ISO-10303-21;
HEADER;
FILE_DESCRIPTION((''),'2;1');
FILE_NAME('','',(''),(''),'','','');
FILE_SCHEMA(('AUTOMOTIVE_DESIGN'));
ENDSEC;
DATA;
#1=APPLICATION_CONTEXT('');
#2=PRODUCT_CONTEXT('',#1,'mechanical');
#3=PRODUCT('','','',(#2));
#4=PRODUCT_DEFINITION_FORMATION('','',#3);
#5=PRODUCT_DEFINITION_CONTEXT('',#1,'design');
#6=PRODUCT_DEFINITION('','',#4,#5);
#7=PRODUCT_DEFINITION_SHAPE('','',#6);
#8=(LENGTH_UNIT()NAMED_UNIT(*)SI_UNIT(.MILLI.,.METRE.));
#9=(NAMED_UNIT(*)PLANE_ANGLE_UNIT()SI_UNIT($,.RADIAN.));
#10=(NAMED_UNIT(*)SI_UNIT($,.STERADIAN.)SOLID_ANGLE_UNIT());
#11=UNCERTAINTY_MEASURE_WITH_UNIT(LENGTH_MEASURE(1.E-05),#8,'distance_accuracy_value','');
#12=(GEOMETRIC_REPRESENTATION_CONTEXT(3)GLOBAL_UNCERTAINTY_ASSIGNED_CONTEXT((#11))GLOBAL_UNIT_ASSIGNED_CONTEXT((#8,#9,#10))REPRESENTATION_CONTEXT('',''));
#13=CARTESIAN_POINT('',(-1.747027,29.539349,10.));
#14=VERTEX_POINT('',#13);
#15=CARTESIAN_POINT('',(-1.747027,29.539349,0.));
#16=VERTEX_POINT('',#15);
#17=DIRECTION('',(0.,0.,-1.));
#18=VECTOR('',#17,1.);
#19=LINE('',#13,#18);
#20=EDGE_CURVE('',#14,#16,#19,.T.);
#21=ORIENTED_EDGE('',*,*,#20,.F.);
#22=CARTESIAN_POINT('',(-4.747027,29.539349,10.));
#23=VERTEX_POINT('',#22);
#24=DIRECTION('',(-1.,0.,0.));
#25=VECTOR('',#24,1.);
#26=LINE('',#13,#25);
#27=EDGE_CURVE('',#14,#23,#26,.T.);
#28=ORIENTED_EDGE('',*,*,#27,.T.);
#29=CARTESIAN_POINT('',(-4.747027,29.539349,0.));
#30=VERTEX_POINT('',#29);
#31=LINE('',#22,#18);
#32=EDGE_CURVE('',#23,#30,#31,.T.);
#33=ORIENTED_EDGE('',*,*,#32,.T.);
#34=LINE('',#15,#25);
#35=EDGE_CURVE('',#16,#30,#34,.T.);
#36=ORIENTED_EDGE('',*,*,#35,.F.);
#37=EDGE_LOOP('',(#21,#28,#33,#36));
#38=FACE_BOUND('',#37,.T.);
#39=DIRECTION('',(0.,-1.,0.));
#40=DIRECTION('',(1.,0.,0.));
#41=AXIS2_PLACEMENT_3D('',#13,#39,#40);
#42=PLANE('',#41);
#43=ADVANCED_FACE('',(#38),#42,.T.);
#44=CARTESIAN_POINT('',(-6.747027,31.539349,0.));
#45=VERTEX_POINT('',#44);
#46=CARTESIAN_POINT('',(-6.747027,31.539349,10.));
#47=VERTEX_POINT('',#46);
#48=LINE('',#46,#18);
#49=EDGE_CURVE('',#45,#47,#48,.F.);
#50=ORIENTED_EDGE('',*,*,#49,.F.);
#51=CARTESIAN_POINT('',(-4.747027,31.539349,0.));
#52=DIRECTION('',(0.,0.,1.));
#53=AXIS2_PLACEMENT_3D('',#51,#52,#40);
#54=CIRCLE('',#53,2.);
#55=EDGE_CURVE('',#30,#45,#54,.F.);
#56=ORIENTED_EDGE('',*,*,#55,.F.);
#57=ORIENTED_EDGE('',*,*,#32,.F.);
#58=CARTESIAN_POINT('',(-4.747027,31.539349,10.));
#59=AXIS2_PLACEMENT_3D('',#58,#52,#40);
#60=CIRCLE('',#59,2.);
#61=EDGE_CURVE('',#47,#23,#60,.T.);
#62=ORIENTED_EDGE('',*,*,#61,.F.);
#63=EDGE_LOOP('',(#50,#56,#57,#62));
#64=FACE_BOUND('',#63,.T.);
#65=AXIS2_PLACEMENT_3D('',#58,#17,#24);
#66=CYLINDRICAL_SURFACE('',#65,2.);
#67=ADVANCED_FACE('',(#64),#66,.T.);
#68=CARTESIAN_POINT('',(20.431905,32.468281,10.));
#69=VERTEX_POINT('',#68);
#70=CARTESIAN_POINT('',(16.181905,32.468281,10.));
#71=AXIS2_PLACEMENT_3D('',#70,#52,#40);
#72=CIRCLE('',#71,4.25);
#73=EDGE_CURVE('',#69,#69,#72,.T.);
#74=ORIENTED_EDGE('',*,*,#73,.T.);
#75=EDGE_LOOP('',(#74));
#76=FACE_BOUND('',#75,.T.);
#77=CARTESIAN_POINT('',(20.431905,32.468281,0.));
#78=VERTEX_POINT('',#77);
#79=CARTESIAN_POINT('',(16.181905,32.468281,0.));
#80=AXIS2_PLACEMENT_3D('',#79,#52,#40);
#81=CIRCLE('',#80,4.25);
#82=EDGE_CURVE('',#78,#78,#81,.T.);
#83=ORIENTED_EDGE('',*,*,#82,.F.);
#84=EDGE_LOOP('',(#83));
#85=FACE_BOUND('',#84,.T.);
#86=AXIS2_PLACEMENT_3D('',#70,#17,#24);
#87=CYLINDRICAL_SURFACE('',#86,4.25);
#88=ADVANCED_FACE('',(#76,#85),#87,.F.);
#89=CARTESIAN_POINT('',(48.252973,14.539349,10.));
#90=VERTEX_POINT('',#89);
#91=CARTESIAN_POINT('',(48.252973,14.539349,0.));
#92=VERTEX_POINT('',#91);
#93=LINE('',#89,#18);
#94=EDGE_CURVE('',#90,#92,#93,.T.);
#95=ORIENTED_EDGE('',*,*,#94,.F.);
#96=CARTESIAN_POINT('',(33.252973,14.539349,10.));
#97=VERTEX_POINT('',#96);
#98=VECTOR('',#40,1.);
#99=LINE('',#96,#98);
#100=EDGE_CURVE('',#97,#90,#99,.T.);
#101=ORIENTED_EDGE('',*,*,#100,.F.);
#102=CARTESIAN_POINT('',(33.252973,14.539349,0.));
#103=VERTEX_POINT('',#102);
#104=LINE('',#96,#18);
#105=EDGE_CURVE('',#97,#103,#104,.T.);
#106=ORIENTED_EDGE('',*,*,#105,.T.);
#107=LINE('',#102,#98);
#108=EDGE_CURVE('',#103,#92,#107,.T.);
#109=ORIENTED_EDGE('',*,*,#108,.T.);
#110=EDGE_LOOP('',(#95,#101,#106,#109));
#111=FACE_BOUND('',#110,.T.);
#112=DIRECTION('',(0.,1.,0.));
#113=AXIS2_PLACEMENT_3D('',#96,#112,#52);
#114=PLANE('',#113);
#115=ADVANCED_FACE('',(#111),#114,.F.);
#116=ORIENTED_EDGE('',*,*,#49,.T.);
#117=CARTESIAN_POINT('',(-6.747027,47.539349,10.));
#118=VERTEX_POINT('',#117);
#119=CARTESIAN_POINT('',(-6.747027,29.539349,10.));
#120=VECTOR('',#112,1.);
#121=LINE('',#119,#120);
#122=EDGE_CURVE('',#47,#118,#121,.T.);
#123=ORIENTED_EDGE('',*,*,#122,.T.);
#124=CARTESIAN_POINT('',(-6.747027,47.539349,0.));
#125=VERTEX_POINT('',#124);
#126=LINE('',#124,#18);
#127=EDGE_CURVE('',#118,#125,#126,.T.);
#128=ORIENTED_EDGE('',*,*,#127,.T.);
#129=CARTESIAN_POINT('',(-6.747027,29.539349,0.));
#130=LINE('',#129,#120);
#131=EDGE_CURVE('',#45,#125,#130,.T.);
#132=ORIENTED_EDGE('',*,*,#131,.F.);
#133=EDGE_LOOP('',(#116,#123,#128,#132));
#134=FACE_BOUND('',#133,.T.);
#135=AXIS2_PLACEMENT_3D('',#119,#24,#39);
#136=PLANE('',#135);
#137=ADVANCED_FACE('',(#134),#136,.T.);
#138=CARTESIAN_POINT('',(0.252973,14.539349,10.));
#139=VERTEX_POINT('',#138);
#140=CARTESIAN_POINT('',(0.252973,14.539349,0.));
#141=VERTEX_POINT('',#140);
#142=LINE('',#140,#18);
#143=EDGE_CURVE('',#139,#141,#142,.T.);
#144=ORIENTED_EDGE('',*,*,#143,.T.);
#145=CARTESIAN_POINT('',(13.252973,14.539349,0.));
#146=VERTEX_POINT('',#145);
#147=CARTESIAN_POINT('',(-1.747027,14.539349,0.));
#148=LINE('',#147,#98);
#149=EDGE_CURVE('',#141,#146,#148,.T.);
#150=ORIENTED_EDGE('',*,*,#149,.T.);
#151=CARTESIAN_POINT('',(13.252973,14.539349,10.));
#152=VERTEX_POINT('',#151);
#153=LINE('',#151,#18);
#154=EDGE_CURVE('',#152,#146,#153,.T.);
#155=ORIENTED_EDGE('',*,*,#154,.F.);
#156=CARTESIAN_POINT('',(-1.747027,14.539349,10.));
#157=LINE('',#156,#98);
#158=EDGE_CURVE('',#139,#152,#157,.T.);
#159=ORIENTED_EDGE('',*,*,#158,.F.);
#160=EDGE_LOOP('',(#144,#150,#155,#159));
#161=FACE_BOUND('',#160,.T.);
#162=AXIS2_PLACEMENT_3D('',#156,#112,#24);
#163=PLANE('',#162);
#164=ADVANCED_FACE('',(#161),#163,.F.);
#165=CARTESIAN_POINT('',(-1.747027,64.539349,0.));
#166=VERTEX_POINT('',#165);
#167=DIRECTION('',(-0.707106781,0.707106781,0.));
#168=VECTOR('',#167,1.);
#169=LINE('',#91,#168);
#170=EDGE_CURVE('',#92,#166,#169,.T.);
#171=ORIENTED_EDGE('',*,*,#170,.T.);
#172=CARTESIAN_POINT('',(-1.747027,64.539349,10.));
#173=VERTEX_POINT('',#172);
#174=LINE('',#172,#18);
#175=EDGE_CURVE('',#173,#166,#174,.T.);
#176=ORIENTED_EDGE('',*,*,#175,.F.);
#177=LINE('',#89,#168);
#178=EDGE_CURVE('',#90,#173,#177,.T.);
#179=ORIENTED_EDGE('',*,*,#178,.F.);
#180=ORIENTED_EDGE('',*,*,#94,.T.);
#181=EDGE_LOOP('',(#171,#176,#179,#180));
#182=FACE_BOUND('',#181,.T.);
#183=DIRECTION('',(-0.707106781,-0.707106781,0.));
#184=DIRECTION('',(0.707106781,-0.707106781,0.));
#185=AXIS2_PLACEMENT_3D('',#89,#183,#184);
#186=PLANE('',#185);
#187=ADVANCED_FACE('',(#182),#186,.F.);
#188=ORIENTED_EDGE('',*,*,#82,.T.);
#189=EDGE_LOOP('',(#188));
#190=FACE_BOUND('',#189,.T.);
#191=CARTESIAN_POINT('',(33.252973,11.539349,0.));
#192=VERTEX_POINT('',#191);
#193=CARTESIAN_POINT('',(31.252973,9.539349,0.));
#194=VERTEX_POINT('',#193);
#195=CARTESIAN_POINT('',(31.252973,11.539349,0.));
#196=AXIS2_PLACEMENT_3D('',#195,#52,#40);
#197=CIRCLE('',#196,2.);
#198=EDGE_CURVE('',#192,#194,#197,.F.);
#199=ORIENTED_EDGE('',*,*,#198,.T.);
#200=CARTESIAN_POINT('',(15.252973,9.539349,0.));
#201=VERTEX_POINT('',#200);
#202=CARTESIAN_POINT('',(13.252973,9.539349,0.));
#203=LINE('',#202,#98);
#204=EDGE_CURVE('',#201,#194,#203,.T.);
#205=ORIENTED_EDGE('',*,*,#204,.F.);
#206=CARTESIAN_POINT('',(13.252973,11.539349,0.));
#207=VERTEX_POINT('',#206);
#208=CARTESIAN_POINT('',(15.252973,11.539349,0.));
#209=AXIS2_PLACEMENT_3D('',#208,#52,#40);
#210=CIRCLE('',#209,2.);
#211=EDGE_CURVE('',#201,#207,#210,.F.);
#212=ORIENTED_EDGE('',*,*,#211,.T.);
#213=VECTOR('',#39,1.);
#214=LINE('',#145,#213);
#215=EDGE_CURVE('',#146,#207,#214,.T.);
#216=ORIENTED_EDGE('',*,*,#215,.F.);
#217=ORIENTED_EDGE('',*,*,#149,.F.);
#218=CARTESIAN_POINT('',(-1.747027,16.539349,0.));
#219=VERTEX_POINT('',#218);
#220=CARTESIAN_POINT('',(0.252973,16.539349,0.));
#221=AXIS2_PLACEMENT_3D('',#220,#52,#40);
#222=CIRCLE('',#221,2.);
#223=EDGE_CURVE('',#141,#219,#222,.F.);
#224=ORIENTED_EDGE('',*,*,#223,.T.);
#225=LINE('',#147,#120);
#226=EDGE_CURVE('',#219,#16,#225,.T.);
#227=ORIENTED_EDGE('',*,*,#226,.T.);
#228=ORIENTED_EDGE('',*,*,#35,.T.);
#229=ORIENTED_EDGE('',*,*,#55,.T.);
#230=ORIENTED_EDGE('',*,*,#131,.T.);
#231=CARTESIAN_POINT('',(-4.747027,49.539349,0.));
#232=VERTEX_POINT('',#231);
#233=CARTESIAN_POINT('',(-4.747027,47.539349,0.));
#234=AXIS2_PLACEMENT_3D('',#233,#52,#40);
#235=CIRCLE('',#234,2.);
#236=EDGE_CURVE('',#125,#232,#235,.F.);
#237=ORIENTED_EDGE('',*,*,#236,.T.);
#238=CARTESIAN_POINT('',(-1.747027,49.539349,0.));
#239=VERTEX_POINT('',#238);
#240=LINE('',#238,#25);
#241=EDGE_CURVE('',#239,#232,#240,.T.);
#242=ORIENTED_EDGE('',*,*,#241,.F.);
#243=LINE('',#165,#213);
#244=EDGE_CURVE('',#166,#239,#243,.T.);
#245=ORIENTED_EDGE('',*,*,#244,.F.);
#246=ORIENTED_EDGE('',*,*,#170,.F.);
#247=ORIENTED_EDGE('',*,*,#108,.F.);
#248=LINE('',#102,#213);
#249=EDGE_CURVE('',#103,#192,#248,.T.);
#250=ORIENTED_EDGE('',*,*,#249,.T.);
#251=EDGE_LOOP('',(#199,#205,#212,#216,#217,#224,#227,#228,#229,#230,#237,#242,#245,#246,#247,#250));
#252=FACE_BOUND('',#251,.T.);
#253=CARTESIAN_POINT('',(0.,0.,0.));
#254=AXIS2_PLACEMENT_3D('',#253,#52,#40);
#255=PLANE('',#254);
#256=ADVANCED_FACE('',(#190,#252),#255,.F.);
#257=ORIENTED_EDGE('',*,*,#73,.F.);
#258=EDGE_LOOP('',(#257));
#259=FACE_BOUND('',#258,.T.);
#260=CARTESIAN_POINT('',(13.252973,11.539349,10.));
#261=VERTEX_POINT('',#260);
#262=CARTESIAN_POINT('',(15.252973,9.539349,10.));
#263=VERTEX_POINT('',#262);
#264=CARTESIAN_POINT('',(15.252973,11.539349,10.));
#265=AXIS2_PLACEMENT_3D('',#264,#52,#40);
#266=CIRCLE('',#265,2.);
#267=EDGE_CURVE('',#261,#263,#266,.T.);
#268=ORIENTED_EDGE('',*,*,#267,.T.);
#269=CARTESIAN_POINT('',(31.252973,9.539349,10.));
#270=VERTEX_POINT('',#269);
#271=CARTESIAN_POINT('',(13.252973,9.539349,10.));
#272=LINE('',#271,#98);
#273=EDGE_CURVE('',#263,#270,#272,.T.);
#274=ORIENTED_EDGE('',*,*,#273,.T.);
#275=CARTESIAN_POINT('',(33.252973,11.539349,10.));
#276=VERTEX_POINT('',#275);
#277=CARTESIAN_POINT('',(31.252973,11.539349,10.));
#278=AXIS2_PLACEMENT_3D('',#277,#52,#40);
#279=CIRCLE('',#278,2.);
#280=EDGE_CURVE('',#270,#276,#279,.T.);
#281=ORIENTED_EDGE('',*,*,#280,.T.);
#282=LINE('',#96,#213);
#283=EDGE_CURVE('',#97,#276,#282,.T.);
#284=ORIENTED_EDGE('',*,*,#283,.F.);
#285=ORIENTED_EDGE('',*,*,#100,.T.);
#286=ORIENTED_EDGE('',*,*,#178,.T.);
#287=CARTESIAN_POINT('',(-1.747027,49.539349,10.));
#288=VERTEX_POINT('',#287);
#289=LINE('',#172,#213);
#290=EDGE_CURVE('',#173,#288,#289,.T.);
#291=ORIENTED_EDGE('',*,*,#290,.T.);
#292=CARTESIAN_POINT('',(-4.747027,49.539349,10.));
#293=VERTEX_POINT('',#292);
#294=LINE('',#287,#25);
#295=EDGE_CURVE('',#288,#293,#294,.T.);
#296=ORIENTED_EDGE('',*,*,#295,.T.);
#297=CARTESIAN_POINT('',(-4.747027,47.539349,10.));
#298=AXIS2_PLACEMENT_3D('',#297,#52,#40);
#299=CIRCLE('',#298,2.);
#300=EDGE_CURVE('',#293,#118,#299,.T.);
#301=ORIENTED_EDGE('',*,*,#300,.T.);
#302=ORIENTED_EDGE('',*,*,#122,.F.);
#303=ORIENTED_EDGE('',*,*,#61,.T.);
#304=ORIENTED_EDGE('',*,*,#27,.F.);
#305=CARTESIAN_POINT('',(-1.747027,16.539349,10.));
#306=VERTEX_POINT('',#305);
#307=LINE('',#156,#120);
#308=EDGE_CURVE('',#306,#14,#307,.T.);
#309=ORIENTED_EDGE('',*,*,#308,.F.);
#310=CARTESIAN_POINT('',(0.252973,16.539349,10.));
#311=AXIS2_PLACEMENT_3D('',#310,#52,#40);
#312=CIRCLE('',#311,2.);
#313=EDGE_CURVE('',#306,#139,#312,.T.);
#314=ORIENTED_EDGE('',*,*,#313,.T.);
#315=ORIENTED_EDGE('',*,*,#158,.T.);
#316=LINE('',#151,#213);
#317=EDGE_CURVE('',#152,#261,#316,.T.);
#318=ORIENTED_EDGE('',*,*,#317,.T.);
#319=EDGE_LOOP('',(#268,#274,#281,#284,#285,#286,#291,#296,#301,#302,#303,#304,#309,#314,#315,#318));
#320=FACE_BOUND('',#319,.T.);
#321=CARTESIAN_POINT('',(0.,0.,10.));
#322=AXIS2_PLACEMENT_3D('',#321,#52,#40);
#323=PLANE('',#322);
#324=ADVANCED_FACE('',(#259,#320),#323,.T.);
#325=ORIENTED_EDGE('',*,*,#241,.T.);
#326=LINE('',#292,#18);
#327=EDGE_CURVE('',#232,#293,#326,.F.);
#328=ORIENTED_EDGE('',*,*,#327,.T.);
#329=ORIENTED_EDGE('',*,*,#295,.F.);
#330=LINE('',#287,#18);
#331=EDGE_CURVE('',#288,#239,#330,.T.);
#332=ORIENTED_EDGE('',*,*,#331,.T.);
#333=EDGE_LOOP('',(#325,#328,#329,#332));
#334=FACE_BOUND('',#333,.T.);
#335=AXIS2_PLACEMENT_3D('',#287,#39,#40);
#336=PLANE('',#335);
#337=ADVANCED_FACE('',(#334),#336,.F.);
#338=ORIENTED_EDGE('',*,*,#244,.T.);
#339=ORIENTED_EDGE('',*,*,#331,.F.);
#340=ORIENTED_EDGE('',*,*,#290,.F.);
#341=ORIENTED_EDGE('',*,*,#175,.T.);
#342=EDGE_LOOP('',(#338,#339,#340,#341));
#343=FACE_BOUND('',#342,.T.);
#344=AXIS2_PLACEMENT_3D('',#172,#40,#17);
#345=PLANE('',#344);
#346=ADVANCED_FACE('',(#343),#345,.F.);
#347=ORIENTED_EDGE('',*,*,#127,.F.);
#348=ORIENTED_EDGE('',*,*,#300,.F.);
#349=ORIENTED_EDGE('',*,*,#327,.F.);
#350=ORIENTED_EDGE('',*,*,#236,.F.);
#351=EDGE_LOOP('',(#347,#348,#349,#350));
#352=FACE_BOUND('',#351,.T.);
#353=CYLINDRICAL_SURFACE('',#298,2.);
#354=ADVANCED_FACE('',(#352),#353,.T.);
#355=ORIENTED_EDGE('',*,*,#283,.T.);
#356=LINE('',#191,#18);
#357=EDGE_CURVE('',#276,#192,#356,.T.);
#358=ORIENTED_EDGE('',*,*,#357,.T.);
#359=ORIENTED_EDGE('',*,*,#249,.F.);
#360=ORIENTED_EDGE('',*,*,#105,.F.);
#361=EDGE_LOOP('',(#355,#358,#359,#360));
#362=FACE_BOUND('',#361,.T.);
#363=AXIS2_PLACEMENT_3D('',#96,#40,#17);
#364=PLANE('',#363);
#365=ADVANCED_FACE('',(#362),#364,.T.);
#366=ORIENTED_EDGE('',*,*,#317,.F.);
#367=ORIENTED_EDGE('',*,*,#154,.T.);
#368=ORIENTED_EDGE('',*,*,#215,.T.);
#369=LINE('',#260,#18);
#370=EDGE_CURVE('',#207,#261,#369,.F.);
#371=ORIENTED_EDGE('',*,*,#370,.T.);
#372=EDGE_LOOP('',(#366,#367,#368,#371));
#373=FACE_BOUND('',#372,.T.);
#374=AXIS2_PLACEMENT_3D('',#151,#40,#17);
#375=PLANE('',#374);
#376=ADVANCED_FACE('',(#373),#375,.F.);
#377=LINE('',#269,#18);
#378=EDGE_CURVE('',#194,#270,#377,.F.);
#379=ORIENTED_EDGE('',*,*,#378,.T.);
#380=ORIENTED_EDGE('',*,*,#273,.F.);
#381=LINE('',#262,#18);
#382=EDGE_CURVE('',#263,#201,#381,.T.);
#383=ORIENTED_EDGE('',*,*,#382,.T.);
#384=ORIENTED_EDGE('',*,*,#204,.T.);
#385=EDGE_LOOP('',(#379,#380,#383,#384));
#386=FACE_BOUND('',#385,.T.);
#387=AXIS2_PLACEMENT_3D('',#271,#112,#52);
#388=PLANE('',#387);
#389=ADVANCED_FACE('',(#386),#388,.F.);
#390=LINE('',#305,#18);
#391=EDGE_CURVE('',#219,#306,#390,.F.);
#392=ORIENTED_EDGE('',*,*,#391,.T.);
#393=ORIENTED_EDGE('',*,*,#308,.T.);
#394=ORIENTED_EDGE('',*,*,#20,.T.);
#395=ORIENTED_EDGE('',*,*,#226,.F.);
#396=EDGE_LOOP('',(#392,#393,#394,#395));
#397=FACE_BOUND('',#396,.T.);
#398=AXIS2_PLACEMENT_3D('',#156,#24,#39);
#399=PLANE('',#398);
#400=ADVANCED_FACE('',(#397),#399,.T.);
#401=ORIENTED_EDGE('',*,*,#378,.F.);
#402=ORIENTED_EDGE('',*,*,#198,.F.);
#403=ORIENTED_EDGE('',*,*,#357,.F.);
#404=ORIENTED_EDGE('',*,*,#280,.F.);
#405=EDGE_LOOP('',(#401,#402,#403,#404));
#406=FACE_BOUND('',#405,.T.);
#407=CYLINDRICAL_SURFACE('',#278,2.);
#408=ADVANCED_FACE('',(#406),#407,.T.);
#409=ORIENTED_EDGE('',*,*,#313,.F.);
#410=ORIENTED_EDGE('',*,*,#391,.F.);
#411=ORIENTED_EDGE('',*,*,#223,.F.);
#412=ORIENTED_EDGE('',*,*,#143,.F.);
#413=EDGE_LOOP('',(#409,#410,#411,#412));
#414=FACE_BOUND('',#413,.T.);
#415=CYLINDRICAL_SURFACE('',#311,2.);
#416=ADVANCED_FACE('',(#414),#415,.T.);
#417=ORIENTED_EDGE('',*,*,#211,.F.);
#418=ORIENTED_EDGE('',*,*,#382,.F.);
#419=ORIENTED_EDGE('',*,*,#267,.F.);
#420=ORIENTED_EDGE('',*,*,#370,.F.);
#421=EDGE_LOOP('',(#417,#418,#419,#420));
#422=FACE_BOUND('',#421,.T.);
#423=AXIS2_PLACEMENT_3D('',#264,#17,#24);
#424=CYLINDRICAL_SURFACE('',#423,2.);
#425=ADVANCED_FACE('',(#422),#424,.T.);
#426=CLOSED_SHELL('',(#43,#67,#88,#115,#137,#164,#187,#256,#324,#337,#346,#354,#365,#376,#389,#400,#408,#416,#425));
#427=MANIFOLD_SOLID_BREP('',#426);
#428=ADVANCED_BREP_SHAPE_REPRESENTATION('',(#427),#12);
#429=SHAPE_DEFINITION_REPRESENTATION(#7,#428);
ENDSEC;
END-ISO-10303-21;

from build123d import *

# Parameters (mm, degrees)
SKETCH1_R           = 4.25
BOSS_EXTRUDE1_DEPTH = 10
FILLET1_R           = 2


with BuildPart() as part:
    # Sketch1 → Boss-Extrude1 (new body)
    with BuildSketch(Plane.XY):
        Polygon((48.252973088, 14.539348583), (-1.747026912, 64.539348583), (-1.747026912, 49.539348583), (-6.747026912, 49.539348583), (-6.747026912, 29.539348583), (-1.747026912, 29.539348583), (-1.747026912, 14.539348583), (13.252973088, 14.539348583), (13.252973088, 9.539348583), (33.252973088, 9.539348583), (33.252973088, 14.539348583), align=None)
        with Locations((16.181905276, 32.468280771)):
            Circle(SKETCH1_R, mode=Mode.SUBTRACT)
    extrude(amount=BOSS_EXTRUDE1_DEPTH)

    # Fillet1
    fillet1_edges = [part.edges().sort_by_distance(p)[0] for p in [
        (-1.747026912, 14.539348583, 5),
        (13.252973088, 9.539348583, 5),
        (33.252973088, 9.539348583, 5),
        (-6.747026912, 49.539348583, 5),
        (-6.747026912, 29.539348583, 5),
    ]]
    fillet(fillet1_edges, radius=FILLET1_R)


solid = part.part
